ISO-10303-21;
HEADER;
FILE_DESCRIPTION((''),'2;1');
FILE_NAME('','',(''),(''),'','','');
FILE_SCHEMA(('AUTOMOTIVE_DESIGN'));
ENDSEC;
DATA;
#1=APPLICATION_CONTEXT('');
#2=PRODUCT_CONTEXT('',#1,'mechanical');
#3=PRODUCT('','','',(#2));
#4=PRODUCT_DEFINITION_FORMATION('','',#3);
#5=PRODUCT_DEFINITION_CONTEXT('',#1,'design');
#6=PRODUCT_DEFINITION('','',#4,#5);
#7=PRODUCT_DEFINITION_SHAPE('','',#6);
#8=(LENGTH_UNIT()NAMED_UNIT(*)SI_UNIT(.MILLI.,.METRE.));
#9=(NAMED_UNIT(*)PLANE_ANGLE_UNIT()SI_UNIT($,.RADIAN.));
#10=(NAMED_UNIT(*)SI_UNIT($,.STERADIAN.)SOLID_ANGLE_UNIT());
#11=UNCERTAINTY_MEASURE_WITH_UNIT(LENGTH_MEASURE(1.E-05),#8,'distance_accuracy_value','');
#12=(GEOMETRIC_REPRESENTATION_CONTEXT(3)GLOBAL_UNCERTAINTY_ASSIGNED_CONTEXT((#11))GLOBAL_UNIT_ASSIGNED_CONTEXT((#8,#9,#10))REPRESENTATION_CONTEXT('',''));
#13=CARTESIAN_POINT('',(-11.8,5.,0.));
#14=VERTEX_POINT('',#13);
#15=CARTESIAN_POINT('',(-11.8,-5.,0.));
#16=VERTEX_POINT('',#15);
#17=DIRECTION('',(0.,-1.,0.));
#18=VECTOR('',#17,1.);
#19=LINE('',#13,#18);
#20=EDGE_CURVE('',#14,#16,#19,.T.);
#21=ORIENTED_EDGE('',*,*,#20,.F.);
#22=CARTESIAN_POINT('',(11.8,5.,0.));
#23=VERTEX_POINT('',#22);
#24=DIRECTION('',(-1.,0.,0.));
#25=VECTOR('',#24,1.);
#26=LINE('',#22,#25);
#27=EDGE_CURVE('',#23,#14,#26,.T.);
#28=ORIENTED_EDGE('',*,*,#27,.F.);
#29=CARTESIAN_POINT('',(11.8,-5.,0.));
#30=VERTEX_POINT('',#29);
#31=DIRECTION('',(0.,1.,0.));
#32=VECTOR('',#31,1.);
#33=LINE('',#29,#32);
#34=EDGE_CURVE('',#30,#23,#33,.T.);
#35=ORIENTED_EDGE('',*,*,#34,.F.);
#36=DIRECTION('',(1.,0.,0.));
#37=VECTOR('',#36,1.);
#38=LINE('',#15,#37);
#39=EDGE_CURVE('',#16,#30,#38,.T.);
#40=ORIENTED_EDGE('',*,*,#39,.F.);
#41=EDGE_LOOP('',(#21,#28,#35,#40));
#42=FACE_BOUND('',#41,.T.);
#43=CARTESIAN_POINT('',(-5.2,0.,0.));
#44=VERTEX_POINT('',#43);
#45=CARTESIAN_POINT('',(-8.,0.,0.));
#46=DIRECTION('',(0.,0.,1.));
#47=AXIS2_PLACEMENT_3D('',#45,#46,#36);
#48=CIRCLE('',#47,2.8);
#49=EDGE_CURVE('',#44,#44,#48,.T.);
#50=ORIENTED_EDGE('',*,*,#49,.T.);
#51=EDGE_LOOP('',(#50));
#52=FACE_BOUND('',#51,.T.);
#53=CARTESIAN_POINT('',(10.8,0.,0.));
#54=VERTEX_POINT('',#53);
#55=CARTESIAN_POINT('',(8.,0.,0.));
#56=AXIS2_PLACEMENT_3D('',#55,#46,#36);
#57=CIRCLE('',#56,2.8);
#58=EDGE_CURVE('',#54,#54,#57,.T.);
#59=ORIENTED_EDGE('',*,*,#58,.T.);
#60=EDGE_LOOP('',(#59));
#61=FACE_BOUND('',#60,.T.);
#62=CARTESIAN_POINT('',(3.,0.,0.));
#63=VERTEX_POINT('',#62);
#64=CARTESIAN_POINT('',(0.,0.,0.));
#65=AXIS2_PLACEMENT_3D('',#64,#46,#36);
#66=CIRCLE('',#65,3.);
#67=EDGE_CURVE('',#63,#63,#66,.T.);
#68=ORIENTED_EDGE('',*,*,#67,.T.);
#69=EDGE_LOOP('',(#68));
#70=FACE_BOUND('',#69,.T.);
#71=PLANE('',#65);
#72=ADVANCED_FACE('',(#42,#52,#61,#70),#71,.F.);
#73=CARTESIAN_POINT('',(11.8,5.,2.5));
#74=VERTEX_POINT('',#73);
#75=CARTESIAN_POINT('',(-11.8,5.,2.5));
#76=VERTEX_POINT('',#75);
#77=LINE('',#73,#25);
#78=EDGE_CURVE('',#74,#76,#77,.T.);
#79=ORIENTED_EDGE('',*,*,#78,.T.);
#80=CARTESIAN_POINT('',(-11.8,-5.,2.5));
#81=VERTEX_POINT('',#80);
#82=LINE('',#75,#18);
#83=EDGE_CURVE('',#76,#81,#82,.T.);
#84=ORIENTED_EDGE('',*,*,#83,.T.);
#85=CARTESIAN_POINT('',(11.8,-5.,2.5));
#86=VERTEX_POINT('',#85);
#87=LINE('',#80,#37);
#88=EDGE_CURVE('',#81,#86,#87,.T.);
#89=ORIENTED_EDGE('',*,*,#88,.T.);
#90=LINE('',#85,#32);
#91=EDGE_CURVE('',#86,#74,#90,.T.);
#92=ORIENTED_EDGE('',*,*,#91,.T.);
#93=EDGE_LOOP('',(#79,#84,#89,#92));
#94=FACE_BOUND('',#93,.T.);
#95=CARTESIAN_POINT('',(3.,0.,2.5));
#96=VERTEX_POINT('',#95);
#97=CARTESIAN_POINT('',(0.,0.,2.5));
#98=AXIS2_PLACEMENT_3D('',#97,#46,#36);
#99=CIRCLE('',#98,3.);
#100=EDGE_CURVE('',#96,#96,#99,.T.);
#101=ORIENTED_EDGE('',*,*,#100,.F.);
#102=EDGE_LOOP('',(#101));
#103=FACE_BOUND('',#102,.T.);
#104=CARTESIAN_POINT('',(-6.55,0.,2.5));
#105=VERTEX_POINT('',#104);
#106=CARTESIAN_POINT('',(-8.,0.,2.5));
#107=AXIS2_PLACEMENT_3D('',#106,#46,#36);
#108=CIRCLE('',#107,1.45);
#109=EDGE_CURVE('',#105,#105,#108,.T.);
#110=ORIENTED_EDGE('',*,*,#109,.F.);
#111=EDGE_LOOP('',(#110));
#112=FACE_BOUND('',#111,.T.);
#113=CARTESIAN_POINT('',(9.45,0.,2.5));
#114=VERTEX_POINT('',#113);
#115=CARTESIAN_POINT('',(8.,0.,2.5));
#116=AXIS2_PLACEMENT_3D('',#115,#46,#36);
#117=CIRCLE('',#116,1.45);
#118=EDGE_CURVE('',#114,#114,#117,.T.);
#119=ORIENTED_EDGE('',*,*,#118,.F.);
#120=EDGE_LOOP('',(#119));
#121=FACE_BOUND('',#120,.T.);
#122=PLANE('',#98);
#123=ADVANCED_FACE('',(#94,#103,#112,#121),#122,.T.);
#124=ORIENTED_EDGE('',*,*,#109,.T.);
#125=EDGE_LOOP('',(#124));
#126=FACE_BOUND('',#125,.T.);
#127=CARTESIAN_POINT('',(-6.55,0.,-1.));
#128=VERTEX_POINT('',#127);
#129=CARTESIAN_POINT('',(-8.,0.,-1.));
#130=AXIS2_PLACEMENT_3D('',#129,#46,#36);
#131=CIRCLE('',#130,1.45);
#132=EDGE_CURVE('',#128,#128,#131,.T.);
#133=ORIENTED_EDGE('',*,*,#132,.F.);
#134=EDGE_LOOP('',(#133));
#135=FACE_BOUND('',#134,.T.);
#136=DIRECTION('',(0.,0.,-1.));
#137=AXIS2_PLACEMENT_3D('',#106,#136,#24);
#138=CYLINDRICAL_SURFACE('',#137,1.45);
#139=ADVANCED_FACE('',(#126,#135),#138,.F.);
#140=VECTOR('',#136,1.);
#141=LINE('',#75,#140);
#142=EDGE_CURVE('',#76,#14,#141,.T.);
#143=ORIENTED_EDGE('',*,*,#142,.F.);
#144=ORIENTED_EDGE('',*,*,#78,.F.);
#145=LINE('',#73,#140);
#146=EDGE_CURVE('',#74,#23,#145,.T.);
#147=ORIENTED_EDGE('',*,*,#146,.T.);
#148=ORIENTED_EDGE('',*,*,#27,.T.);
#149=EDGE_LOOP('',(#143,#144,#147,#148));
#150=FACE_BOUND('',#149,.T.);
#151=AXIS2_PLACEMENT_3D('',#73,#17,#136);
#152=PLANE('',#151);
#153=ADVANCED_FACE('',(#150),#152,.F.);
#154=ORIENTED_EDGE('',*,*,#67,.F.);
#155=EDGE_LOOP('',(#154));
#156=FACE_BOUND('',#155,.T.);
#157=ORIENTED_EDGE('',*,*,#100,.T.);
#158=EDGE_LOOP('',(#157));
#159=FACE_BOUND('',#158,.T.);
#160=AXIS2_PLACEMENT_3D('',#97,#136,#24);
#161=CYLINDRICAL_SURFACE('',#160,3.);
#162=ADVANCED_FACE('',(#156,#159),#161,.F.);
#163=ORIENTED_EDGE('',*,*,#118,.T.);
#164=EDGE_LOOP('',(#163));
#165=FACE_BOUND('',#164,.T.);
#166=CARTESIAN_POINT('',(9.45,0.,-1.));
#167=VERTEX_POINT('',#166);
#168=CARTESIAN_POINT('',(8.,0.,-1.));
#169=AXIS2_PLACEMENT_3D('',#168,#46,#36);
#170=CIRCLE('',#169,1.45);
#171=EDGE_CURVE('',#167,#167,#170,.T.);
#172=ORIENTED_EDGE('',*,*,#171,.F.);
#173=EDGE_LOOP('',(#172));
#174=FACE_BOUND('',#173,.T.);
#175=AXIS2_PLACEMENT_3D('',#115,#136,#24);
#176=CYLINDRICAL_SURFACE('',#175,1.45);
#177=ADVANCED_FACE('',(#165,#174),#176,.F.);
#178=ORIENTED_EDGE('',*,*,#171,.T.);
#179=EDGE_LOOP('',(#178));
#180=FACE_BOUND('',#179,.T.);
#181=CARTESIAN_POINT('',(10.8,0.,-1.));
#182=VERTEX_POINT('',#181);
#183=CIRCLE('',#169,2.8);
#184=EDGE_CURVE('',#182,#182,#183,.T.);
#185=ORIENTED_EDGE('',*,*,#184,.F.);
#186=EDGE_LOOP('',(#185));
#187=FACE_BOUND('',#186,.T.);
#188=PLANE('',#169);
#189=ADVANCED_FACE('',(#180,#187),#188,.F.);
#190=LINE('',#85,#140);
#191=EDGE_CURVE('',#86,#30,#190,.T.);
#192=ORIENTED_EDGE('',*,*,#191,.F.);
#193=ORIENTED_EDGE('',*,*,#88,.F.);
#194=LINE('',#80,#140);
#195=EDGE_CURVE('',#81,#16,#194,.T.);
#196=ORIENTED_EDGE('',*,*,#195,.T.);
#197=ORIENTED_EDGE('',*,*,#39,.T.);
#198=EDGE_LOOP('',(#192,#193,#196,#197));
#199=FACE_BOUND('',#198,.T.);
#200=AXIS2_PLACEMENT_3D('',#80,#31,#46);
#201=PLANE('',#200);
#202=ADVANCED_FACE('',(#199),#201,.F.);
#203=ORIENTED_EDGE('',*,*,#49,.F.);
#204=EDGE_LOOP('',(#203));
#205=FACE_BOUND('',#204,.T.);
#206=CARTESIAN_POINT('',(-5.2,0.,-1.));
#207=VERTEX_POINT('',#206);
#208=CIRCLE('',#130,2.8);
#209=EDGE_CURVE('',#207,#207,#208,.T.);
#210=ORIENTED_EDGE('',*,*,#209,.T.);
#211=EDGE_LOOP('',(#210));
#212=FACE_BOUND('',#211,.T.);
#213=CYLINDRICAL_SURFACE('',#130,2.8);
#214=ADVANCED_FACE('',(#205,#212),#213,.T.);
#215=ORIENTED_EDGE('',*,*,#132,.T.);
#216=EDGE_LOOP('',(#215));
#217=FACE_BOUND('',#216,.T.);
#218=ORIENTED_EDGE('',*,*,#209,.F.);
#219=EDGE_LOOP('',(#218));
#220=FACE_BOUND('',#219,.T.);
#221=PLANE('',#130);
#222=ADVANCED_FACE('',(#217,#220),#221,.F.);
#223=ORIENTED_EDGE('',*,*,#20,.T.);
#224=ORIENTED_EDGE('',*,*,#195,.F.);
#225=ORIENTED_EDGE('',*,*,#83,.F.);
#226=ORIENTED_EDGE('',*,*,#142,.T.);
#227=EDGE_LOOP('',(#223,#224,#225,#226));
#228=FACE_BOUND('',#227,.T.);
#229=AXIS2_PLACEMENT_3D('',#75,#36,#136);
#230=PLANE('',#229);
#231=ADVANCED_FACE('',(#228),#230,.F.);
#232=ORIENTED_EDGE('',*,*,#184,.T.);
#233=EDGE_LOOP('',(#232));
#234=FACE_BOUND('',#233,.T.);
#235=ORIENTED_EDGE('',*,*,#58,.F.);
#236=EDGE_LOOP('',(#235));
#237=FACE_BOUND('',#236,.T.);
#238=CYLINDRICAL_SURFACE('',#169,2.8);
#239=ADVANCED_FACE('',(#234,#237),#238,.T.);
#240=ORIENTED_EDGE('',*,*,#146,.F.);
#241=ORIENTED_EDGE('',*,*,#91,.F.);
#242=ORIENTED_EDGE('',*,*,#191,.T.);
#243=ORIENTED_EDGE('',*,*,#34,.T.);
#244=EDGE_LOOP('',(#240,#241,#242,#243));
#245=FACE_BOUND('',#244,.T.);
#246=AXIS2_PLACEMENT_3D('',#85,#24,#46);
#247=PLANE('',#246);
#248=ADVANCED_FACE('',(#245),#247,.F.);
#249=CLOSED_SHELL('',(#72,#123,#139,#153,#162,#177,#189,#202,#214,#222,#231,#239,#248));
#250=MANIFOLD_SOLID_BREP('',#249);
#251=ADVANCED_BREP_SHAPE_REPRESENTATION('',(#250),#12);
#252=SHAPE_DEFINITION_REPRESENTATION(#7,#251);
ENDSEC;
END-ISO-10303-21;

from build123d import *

# Parameters (mm, degrees)
SKETCH_1_W                             = 23.6
SKETCH_1_H                             = 10
SKETCH_1_R                             = 1.45
SKETCH_1_R_2                           = 3
PLATE_23_6X10_T2_5_M2_5_D2_9_P16_DEPTH = 2.5
UNIT_RECESS_RINGS_OD5_6_ID2_9_H1_START = -1
SKETCH_2_R                             = 2.8
SKETCH_2_R_2                           = 1.45
UNIT_RECESS_RINGS_OD5_6_ID2_9_H1_DEPTH = 1


with BuildPart() as part:
    # 草图1 → Plate_23.6x10_T2.5_M2.5_D2.9_P16 (new body)
    with BuildSketch(Plane.XY):
        Rectangle(SKETCH_1_W, SKETCH_1_H)
        with Locations((-8, 0)):
            Circle(SKETCH_1_R, mode=Mode.SUBTRACT)
        with Locations((8, 0)):
            Circle(SKETCH_1_R, mode=Mode.SUBTRACT)
        Circle(SKETCH_1_R_2, mode=Mode.SUBTRACT)
    extrude(amount=PLATE_23_6X10_T2_5_M2_5_D2_9_P16_DEPTH)

    # 草图2 → Unit_recess_rings_OD5.6_ID2.9_H1 (add)
    # profile 1 of 2: a face of its own
    with BuildSketch(Plane.XY.offset(UNIT_RECESS_RINGS_OD5_6_ID2_9_H1_START)):
        with Locations((-8, 0)):
            Circle(SKETCH_2_R)
        with Locations((-8, 0)):
            Circle(SKETCH_2_R_2, mode=Mode.SUBTRACT)
    # profile 2 of 2: a face of its own
    with BuildSketch(Plane.XY.offset(UNIT_RECESS_RINGS_OD5_6_ID2_9_H1_START)):
        with Locations((8, 0)):
            Circle(SKETCH_2_R)
        with Locations((8, 0)):
            Circle(SKETCH_2_R_2, mode=Mode.SUBTRACT)
    extrude(amount=UNIT_RECESS_RINGS_OD5_6_ID2_9_H1_DEPTH)


solid = part.part
